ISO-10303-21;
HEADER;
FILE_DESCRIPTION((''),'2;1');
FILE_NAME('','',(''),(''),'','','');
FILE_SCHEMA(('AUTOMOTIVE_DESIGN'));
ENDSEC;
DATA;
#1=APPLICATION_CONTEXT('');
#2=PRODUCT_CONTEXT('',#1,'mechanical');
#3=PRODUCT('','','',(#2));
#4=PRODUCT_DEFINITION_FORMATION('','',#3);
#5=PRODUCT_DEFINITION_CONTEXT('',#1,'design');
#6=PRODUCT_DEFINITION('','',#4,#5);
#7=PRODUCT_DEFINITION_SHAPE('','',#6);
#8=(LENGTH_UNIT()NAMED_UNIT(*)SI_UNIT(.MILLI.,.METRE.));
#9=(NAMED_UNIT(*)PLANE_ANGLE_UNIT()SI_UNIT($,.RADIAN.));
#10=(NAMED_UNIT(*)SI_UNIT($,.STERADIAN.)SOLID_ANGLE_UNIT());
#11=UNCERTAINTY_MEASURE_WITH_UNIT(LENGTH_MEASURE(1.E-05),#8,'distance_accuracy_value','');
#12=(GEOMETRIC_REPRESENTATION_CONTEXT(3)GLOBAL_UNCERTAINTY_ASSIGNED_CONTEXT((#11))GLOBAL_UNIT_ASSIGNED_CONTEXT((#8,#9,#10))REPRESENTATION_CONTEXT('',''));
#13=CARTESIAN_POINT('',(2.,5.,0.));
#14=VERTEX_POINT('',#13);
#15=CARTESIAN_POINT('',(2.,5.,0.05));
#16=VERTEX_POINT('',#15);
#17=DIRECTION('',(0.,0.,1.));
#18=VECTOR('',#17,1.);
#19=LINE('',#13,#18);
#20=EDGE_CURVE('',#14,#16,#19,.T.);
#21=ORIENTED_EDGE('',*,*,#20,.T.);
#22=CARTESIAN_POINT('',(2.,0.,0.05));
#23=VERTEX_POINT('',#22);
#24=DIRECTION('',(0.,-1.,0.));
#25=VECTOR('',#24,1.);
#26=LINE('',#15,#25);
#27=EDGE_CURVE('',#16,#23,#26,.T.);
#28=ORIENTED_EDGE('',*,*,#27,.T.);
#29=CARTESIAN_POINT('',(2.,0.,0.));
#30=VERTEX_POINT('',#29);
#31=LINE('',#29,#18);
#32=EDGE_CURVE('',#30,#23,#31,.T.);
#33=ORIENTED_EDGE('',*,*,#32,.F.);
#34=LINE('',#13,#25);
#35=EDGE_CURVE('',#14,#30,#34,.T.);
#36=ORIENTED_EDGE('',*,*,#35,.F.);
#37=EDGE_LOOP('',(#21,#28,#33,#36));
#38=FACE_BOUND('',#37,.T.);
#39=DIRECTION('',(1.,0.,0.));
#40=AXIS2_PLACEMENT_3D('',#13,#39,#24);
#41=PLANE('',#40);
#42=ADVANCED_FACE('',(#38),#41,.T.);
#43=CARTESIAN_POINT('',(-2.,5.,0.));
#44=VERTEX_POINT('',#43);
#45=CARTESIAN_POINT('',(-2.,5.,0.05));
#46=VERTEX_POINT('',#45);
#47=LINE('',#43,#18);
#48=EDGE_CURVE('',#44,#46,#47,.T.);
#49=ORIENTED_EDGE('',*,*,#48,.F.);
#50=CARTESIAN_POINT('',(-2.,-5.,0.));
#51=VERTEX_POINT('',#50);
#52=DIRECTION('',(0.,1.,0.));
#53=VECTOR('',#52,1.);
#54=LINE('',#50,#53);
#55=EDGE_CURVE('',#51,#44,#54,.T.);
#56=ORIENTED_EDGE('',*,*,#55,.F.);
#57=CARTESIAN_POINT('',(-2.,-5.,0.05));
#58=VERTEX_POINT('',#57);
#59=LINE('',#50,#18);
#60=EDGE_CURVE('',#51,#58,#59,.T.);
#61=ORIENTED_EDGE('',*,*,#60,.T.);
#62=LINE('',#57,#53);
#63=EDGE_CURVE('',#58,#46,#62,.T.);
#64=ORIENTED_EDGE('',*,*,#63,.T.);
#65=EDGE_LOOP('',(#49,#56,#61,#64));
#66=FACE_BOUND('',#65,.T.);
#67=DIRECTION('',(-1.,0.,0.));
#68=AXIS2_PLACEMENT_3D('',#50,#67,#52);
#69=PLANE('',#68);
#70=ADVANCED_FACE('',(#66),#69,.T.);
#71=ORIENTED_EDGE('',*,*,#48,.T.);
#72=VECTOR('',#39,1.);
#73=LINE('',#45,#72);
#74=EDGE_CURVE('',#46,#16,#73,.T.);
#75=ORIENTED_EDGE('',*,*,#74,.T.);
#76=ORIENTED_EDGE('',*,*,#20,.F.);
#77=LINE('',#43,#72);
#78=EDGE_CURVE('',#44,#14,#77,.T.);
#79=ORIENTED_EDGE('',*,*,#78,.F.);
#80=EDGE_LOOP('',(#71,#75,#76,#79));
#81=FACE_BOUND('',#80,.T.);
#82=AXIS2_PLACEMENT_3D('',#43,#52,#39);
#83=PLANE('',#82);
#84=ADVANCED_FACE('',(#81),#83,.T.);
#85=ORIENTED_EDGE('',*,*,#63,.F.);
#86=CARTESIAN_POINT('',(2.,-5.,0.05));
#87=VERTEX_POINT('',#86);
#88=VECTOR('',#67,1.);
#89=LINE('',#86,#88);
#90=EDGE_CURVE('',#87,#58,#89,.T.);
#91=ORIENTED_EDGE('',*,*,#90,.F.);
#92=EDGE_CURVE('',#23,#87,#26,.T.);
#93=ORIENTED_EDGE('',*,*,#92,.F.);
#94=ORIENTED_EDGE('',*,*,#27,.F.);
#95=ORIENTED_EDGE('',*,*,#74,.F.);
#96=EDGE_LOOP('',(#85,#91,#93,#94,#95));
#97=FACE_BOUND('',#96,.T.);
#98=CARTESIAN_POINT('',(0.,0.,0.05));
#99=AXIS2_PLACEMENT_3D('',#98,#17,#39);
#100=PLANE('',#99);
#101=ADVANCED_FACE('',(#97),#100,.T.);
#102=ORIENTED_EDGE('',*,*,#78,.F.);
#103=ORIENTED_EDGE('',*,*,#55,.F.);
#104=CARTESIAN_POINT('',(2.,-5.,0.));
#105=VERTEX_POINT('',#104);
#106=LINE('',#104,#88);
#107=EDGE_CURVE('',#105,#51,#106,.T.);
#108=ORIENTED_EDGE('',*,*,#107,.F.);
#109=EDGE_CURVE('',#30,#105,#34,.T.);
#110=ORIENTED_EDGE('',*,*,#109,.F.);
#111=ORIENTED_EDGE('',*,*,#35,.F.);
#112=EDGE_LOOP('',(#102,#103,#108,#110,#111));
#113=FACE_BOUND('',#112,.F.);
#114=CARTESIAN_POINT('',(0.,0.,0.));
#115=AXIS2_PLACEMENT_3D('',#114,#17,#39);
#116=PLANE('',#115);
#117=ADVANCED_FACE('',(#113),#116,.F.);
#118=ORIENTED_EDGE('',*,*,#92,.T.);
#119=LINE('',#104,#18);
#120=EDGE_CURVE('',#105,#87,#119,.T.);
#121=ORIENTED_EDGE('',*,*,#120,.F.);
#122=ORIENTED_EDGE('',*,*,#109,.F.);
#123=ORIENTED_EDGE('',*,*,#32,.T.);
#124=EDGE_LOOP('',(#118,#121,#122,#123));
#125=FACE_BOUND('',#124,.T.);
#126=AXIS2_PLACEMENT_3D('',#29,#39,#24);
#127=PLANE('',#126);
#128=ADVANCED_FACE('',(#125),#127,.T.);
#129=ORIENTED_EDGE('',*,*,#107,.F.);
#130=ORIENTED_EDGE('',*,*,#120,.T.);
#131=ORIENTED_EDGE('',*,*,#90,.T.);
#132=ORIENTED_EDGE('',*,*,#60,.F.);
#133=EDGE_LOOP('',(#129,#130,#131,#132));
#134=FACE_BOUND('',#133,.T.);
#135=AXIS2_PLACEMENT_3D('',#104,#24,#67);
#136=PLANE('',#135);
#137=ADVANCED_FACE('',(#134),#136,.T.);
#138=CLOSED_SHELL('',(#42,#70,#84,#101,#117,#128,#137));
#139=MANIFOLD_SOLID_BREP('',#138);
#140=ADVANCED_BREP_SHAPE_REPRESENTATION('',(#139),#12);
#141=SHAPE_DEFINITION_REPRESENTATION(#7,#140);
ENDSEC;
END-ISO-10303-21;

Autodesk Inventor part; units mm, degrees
ref_plane "YZ Plane" through (0, 0, 0) normal (1, 0, 0) x (0, 1, 0)
ref_plane "XZ Plane" through (0, 0, 0) normal (0, 1, 0) x (-1, 0, 0)
ref_plane "XY Plane" through (0, 0, 0) normal (0, 0, 1) x (1, 0, 0)
sketch "Sketch1" plane through (0, 0, 0) normal (0, 0, 1) x (1, 0, 0)
  line L0 (-2, 5) -> (2, 5)
  line L1 (2, 5) -> (2, -5)
  line L2 (2, -5) -> (-2, -5)
  line L3 (-2, -5) -> (-2, 5)
  line L4 (0, 0) -> (0, 1.6478)
  line L5 (0, 0) -> (2.3787, 0)
  dimension "d0" = 4
  dimension "d1" = 10
extrude "Extrusion1" add sketch "Sketch1" along normal blind 0.05
properties part number "SpaceQuest_interconnect_3" material "Stainless Steel"
